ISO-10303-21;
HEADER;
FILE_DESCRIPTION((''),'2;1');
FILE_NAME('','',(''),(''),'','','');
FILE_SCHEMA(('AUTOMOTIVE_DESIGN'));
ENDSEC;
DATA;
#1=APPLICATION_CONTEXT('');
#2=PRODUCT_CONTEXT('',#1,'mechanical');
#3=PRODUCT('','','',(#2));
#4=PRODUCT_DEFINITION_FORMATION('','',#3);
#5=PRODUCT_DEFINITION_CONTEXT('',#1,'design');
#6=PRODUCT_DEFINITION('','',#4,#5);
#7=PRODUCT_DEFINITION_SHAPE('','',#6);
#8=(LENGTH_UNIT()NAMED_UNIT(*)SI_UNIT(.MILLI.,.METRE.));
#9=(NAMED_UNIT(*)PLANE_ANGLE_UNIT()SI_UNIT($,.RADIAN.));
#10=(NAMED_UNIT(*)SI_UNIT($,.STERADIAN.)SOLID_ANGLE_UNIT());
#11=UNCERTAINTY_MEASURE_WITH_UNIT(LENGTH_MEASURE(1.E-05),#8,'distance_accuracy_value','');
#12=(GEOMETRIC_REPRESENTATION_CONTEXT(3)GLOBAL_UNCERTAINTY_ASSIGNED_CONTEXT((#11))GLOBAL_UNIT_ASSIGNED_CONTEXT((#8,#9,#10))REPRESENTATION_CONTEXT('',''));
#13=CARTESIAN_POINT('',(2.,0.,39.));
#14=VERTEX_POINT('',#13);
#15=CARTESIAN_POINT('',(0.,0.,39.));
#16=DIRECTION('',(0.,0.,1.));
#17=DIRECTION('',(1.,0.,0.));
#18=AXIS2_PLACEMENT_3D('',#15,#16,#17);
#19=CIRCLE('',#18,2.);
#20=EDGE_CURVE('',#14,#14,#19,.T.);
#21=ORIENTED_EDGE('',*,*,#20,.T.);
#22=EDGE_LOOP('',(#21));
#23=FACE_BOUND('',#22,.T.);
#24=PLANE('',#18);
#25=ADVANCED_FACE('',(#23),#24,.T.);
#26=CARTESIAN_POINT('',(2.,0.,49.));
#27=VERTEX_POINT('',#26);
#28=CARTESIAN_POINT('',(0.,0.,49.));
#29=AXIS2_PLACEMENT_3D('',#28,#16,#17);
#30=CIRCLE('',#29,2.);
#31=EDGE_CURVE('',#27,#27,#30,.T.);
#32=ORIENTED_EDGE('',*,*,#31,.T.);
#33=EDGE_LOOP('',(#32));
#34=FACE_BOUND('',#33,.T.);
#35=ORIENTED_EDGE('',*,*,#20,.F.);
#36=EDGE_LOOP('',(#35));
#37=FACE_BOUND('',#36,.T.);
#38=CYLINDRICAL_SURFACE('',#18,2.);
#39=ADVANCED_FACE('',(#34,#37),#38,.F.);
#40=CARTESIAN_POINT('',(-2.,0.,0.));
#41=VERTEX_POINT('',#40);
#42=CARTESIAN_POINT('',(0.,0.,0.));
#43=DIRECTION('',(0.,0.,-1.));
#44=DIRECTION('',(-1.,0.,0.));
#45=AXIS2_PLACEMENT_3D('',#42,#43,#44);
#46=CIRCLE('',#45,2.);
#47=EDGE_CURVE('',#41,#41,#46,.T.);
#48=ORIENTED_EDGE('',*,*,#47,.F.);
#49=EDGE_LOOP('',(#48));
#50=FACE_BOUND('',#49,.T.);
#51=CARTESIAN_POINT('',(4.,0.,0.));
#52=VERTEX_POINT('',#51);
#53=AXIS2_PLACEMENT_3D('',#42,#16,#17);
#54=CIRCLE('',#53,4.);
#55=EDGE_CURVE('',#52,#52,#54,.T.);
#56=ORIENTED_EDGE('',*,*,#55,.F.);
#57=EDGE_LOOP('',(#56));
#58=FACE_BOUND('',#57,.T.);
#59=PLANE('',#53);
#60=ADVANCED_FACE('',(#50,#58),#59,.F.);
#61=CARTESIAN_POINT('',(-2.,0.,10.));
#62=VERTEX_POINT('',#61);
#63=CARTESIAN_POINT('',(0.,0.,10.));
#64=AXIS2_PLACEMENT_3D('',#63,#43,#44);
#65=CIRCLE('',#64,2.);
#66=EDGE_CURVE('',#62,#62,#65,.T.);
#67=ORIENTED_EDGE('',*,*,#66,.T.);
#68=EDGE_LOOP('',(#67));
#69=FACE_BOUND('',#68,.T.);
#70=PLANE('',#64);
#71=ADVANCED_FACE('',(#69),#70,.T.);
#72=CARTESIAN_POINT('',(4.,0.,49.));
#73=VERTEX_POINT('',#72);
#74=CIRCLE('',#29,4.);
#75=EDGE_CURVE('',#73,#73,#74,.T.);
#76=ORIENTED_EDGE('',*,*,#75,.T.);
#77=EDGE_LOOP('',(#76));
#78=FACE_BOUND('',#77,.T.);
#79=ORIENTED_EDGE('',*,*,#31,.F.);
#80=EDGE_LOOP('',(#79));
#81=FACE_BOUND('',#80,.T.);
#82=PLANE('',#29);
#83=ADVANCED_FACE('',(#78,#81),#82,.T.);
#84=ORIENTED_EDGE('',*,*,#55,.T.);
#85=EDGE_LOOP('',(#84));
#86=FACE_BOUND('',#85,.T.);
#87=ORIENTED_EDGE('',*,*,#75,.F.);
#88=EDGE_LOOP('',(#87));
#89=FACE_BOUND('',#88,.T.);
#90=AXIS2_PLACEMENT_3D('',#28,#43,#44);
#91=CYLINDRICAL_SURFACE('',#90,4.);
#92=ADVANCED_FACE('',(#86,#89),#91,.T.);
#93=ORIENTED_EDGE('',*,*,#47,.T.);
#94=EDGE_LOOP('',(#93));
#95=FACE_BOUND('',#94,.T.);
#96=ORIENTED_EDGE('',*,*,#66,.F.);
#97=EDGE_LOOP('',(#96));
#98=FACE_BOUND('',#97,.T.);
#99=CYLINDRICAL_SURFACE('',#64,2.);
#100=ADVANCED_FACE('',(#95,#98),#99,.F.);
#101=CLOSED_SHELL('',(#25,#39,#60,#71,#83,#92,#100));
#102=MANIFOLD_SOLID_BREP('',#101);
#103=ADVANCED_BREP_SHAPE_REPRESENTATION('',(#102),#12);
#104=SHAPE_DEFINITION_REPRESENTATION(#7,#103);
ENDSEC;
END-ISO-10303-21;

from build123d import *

# Parameters (mm, degrees)
ESQUISSE1_R      = 4
EXTRUSION2_DEPTH = 49
ESQUISSE2_R      = 2
EXTRUSION3_DEPTH = 10
ESQUISSE3_R      = 2
EXTRUSION4_DEPTH = 10


with BuildPart() as part:
    # Esquisse1 → Extrusion2 (new body)
    with BuildSketch(Plane.XY):
        Circle(ESQUISSE1_R)
    extrude(amount=EXTRUSION2_DEPTH)

    # Esquisse2 → Extrusion3 (cut)
    with BuildSketch(Plane.XY.offset(49)):
        Circle(ESQUISSE2_R)
    extrude(amount=-EXTRUSION3_DEPTH, mode=Mode.SUBTRACT)

    # Esquisse3 → Extrusion4 (cut)
    with BuildSketch(Plane(origin=(0, 0, 0), x_dir=(-1, 0, 0), z_dir=(0, 0, -1))):
        Circle(ESQUISSE3_R)
    extrude(amount=-EXTRUSION4_DEPTH, mode=Mode.SUBTRACT)


solid = part.part
